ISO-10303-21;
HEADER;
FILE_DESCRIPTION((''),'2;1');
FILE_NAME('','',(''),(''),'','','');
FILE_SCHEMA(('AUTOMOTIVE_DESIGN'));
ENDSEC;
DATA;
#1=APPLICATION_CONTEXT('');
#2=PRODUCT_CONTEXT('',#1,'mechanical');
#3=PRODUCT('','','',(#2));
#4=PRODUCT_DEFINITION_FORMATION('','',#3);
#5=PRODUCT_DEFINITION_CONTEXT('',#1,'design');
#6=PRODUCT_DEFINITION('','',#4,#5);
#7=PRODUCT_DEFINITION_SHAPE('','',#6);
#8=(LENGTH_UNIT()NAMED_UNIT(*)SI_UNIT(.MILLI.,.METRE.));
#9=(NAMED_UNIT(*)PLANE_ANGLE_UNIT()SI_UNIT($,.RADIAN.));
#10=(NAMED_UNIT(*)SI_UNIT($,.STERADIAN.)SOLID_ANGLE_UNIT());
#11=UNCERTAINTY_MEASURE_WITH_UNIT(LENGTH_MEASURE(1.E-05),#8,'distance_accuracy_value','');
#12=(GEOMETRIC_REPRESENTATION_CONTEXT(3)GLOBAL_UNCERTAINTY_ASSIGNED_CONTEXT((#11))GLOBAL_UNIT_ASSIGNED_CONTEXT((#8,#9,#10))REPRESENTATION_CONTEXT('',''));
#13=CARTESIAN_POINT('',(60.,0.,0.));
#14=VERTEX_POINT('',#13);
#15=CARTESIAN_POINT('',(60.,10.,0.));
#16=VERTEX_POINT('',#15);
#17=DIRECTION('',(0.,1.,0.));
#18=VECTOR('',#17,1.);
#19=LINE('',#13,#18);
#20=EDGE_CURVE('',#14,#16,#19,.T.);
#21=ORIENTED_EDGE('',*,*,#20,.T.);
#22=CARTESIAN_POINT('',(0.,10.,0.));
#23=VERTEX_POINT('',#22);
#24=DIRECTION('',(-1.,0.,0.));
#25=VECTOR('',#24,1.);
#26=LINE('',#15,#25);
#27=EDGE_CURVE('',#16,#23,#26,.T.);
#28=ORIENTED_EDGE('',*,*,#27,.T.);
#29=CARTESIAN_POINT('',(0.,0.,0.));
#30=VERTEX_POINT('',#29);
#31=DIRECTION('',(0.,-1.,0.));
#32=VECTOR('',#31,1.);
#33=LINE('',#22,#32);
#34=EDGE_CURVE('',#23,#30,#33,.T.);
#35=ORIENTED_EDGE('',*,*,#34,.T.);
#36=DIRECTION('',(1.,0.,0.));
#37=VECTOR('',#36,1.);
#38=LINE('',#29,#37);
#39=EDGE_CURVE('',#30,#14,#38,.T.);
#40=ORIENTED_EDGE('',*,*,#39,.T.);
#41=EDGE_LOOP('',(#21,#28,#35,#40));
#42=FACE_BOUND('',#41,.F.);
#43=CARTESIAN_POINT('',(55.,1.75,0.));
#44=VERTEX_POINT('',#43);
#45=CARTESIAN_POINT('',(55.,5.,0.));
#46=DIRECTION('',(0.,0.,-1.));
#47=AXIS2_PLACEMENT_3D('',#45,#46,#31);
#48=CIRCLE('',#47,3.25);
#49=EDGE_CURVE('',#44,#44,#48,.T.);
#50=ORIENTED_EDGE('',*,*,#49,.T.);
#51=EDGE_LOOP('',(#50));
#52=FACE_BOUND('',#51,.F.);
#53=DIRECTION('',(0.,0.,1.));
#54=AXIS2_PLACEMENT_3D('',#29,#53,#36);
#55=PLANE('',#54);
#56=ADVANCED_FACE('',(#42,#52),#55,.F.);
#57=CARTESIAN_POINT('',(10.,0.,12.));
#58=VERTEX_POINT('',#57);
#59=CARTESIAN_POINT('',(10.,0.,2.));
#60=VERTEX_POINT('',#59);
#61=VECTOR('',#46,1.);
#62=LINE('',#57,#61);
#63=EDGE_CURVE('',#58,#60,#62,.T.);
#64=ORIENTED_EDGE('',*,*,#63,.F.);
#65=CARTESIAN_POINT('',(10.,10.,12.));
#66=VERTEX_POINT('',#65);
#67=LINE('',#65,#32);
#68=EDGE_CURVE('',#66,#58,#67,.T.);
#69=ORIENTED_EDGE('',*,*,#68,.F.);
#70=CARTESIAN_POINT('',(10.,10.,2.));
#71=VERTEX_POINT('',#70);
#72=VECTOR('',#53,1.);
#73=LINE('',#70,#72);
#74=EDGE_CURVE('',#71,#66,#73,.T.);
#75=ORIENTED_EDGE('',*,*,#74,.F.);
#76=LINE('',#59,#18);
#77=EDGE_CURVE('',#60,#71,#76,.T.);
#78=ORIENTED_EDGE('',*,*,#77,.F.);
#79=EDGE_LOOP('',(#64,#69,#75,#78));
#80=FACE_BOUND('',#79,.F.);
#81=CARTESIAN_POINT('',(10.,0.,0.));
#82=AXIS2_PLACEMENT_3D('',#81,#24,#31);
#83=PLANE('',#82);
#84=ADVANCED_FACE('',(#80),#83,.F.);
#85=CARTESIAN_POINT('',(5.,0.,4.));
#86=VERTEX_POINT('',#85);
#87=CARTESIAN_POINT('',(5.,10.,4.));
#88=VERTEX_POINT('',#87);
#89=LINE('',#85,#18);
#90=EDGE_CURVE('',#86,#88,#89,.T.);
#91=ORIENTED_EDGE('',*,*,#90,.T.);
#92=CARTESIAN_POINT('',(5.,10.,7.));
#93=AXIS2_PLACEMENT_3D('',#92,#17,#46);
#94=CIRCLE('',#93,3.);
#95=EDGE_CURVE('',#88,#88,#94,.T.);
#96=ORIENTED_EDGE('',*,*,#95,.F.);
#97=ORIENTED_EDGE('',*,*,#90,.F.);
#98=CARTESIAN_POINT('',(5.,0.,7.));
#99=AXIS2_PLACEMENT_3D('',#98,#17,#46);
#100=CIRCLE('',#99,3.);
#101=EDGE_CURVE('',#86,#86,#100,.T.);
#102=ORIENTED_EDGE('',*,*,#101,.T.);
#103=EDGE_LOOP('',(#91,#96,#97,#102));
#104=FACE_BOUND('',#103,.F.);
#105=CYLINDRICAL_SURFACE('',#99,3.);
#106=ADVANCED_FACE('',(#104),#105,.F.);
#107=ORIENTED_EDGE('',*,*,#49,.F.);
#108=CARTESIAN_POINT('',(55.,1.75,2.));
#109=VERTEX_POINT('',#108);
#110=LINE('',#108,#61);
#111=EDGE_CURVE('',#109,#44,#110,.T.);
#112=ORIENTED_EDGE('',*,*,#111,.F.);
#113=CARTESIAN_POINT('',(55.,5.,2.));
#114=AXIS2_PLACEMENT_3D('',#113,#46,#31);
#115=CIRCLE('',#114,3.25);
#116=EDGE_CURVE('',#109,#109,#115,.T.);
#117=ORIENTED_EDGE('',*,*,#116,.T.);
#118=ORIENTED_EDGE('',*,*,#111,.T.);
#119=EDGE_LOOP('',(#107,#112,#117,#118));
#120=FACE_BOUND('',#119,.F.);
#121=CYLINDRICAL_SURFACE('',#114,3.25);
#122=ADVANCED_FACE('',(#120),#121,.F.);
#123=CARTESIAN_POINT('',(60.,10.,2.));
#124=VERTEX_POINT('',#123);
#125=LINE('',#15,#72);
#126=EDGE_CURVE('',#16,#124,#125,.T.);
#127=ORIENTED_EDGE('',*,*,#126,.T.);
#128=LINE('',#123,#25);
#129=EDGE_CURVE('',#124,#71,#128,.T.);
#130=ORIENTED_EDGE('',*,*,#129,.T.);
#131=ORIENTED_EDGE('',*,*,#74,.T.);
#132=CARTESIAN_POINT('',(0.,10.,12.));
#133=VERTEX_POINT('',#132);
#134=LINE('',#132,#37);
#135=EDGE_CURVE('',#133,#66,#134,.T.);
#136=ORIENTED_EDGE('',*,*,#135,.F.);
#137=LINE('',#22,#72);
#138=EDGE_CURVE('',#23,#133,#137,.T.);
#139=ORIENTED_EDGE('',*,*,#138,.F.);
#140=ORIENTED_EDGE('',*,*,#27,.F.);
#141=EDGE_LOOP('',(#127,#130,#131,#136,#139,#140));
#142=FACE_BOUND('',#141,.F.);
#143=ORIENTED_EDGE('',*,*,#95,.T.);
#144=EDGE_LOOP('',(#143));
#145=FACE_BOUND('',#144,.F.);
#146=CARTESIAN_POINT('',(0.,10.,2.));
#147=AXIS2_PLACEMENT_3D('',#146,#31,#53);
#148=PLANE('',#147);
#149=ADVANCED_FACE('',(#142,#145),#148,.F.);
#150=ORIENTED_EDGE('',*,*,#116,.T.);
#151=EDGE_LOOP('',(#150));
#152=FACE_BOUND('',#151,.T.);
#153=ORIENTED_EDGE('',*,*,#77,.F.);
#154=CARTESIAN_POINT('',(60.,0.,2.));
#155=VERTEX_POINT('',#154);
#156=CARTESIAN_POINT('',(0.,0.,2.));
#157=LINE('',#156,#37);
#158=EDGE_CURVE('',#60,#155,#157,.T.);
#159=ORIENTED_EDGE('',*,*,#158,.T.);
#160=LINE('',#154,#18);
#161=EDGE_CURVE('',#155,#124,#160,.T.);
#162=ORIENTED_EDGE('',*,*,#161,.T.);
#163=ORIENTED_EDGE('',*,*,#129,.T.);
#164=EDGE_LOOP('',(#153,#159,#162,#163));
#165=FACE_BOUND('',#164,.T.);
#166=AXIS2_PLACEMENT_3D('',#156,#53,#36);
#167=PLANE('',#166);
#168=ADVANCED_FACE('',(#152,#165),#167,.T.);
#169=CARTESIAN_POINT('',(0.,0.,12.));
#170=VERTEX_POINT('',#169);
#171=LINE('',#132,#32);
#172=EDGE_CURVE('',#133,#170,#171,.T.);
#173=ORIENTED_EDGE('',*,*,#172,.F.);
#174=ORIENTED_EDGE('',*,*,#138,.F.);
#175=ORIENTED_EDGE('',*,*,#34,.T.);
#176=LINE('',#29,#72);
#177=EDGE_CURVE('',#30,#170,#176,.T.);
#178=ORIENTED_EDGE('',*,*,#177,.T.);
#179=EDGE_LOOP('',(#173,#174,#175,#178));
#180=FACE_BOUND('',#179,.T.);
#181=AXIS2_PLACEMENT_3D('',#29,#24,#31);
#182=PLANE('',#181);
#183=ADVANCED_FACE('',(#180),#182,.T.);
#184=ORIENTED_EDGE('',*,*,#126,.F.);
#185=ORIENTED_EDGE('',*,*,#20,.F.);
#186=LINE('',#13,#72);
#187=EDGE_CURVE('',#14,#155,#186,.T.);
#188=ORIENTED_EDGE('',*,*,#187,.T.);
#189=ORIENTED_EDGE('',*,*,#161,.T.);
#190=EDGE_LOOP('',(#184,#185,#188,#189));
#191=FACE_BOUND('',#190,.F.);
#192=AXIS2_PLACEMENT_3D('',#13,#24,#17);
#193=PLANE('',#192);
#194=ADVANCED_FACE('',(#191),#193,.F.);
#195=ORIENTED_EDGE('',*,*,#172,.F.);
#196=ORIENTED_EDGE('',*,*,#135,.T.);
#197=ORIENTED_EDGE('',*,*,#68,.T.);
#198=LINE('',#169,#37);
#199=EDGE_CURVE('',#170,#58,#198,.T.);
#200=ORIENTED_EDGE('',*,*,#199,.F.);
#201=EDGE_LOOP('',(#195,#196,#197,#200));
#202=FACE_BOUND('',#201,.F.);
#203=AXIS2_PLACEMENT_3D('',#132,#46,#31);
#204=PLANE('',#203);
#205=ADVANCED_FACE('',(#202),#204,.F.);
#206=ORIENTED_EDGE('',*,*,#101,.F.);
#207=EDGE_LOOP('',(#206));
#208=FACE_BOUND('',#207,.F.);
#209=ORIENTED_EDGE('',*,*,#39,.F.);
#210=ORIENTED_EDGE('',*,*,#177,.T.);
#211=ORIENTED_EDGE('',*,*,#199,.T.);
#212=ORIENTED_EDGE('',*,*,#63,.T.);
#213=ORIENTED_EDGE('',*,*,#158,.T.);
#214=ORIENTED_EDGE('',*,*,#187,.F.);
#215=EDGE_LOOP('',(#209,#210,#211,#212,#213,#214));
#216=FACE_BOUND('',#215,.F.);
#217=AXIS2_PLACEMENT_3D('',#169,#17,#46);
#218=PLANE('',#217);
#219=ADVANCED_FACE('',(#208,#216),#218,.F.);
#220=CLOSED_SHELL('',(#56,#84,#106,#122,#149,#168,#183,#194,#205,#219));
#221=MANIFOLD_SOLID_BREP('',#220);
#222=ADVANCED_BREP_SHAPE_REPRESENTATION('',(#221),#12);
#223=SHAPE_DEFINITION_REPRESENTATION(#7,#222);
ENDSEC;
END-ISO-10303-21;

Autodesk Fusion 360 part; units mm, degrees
sketch "Sketch1" plane through (0, 0, 0) normal (0, 0, 1) x (1, 0, 0)
  line L0 (0, 0) -> (60, 0)
  line L1 (60, 0) -> (60, 10)
  line L2 (60, 10) -> (0, 10)
  line L3 (0, 10) -> (0, 0)
  dimension "d1" = 60
  dimension "d2" = 10
extrude "Extrude1" add sketch "Sketch1" along normal blind 2
hole "Hole1" at (55, 5, 2) direction (0, 0, -1) diameter 3.4 depth 8.6 tip angle 180 counterbore diameter 6.5 counterbore depth 3
sketch "Sketch2" plane through (0, 0, 0) normal (-1, 0, 0) x (0, -1, 0)
  line L0 (-10, 0) -> (0, 0)
  line L1 (0, 0) -> (0, 2)
  line L2 (0, 2) -> (-10, 2)
  line L3 (-10, 2) -> (-10, 0)
  line L4 (0, 2) -> (-10, 2)
  line L5 (-10, 2) -> (-10, 12)
  line L6 (-10, 12) -> (0, 12)
  line L7 (0, 12) -> (0, 2)
  dimension "d12" = 10
  dimension "d13" = 10
extrude "Extrude2" add sketch "Sketch2" against normal blind 10 contours L2 L4 L5 L6 L7
hole "Hole2" at (5, 0, 7) direction (0, 1, 0) diameter 6 depth 12 tip angle 180
sketch "Sketch3" plane through (0, 0, 2) normal (0, 0, 1) x (-1, 0, 0)
  line L0 (-10, -10) -> (-10, 0)
  line L1 (-10, 0) -> (-60, 0)
  line L2 (-60, 0) -> (-60, -10)
  line L3 (-60, -10) -> (-10, -10)
  circle A0 centre (-55, -5) radius 3.25
